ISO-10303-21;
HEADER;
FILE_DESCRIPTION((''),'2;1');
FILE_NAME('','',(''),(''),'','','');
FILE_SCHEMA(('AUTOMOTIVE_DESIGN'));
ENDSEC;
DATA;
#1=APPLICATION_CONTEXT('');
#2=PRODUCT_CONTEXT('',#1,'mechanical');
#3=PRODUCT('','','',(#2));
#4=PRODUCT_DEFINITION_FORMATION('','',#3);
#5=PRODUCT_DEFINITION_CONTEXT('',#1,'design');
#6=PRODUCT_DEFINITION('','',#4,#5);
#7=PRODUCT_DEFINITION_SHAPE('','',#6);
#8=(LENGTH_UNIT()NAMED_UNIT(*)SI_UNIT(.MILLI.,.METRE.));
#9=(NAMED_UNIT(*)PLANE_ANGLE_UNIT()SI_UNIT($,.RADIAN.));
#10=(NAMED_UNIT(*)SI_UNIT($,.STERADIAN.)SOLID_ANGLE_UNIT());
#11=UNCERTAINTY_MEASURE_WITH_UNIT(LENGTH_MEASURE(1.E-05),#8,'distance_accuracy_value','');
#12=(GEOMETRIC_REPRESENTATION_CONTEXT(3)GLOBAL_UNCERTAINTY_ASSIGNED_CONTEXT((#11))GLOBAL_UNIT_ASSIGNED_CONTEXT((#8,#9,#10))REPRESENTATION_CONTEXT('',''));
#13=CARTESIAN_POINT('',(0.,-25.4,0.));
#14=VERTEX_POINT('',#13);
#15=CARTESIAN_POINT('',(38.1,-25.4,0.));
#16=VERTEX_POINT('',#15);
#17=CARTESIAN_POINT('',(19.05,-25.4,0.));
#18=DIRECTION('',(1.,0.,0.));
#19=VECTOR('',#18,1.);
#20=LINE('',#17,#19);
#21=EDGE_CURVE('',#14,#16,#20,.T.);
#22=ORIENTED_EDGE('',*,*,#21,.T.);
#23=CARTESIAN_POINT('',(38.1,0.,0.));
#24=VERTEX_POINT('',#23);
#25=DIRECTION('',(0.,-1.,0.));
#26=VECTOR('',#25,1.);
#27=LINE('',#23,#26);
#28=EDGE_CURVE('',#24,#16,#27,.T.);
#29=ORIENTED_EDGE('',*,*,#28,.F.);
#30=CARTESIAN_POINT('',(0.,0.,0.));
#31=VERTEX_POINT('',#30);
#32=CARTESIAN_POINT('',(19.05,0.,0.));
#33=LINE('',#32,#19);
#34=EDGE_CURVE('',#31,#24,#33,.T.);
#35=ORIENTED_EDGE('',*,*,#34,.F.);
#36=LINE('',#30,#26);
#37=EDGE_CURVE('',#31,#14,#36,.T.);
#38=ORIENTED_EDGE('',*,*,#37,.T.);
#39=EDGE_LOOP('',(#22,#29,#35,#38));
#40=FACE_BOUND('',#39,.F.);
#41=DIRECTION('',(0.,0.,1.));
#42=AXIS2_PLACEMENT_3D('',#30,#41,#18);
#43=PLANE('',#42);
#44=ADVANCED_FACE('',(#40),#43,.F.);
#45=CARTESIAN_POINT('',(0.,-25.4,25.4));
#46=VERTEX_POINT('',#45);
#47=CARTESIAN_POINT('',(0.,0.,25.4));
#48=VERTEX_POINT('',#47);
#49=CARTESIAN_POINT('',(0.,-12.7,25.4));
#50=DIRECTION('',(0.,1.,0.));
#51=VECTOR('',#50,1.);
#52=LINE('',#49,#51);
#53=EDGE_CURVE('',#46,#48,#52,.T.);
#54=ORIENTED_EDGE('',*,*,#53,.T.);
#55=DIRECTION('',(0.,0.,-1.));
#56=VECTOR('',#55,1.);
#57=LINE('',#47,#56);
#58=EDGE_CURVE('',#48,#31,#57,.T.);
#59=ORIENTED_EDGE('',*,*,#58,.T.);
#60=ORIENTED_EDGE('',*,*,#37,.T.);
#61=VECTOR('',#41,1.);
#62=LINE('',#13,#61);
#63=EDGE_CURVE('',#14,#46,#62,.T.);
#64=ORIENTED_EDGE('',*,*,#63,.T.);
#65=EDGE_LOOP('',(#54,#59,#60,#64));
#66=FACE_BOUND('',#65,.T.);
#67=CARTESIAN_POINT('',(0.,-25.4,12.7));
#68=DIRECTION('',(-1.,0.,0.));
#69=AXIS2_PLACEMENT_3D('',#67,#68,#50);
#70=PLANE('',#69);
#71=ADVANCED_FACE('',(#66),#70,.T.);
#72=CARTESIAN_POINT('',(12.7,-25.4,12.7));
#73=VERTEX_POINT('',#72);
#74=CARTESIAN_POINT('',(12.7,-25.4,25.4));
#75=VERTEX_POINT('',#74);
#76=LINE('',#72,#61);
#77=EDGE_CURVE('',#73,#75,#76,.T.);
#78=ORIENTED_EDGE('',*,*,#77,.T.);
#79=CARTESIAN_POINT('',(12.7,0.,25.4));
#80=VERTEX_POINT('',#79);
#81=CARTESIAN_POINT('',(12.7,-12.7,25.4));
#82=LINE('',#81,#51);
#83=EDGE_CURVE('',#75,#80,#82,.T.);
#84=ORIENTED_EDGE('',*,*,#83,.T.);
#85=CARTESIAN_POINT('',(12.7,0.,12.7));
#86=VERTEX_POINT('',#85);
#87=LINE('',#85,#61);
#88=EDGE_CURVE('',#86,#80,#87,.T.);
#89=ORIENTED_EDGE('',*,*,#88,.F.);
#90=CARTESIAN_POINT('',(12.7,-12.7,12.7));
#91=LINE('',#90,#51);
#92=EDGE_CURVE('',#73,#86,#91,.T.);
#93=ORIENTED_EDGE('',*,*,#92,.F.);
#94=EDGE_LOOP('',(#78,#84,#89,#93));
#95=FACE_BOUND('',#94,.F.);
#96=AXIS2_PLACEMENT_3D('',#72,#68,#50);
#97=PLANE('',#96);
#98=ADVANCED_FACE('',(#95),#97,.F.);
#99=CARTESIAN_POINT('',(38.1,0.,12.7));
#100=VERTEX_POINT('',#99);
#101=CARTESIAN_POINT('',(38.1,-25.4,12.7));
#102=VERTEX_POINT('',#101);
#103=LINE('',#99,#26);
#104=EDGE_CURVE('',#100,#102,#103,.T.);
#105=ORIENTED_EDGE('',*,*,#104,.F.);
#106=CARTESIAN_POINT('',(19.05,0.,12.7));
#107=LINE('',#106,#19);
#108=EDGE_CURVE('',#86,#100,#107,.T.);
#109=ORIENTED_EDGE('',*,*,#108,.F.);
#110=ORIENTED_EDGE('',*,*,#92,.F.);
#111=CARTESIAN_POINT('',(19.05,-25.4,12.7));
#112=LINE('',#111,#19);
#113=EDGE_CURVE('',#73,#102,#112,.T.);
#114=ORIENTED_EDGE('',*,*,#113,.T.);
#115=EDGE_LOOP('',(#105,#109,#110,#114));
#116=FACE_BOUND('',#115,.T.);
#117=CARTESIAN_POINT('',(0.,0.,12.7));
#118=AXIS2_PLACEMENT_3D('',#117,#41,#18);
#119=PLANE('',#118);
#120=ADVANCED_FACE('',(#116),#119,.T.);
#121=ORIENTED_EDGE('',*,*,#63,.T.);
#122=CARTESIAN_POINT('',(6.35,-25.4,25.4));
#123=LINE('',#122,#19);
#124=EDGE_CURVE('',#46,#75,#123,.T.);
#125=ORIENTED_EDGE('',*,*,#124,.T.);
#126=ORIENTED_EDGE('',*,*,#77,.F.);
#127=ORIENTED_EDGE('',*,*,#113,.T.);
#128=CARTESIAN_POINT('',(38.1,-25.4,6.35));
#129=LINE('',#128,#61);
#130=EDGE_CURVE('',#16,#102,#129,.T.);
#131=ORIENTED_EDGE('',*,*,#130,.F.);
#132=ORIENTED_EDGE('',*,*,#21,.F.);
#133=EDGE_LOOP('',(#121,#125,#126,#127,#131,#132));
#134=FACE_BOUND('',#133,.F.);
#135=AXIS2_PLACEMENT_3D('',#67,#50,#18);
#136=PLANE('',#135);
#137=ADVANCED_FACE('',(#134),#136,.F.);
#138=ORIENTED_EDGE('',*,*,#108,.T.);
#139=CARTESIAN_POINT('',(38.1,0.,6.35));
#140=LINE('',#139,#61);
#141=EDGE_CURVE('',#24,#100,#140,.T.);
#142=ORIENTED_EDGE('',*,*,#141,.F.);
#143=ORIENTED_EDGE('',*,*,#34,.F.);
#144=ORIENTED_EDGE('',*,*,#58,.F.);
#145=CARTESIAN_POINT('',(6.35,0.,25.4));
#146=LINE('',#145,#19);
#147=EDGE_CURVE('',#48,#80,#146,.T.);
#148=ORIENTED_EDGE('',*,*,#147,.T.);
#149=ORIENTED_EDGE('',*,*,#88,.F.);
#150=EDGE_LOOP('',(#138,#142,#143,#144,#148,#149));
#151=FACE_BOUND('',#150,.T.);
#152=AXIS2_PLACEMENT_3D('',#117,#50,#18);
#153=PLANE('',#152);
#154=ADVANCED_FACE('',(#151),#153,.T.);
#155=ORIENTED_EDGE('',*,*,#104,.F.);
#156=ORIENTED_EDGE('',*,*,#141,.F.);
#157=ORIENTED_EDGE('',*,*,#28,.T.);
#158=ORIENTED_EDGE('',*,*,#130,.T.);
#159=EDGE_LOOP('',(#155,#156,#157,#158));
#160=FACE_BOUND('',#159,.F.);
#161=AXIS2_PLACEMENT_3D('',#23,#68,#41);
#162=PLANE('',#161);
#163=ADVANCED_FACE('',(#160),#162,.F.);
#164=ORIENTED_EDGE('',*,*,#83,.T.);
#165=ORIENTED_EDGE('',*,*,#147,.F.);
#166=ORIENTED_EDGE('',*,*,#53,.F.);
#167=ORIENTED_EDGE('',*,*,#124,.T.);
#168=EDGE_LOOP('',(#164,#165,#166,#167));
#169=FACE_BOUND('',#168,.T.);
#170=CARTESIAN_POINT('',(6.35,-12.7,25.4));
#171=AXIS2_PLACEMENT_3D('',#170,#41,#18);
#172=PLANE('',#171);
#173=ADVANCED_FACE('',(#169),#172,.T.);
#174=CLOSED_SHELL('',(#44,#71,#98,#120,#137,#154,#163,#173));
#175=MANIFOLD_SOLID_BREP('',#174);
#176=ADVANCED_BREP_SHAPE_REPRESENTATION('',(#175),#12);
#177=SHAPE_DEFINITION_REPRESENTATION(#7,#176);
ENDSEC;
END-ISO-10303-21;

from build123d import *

# Parameters (mm, degrees)
F0_W     = 38.1
F0_H     = 12.7
F1_DEPTH = 25.4
F2_W     = 12.7
F2_H     = 25.4
F3_DEPTH = 12.7


with BuildPart() as f1:
    # F0 (on Front) → F1 (new body)
    with BuildSketch(Plane.XZ):
        with Locations((19.05, 6.35)):
            Rectangle(F0_W, F0_H)
    extrude(amount=F1_DEPTH)

    # F2 (on face) → F3 (join)
    with BuildSketch(Plane.XY.offset(12.7)):
        with Locations((6.35, -12.7)):
            Rectangle(F2_W, F2_H)
    extrude(amount=F3_DEPTH)


solid = f1.part
